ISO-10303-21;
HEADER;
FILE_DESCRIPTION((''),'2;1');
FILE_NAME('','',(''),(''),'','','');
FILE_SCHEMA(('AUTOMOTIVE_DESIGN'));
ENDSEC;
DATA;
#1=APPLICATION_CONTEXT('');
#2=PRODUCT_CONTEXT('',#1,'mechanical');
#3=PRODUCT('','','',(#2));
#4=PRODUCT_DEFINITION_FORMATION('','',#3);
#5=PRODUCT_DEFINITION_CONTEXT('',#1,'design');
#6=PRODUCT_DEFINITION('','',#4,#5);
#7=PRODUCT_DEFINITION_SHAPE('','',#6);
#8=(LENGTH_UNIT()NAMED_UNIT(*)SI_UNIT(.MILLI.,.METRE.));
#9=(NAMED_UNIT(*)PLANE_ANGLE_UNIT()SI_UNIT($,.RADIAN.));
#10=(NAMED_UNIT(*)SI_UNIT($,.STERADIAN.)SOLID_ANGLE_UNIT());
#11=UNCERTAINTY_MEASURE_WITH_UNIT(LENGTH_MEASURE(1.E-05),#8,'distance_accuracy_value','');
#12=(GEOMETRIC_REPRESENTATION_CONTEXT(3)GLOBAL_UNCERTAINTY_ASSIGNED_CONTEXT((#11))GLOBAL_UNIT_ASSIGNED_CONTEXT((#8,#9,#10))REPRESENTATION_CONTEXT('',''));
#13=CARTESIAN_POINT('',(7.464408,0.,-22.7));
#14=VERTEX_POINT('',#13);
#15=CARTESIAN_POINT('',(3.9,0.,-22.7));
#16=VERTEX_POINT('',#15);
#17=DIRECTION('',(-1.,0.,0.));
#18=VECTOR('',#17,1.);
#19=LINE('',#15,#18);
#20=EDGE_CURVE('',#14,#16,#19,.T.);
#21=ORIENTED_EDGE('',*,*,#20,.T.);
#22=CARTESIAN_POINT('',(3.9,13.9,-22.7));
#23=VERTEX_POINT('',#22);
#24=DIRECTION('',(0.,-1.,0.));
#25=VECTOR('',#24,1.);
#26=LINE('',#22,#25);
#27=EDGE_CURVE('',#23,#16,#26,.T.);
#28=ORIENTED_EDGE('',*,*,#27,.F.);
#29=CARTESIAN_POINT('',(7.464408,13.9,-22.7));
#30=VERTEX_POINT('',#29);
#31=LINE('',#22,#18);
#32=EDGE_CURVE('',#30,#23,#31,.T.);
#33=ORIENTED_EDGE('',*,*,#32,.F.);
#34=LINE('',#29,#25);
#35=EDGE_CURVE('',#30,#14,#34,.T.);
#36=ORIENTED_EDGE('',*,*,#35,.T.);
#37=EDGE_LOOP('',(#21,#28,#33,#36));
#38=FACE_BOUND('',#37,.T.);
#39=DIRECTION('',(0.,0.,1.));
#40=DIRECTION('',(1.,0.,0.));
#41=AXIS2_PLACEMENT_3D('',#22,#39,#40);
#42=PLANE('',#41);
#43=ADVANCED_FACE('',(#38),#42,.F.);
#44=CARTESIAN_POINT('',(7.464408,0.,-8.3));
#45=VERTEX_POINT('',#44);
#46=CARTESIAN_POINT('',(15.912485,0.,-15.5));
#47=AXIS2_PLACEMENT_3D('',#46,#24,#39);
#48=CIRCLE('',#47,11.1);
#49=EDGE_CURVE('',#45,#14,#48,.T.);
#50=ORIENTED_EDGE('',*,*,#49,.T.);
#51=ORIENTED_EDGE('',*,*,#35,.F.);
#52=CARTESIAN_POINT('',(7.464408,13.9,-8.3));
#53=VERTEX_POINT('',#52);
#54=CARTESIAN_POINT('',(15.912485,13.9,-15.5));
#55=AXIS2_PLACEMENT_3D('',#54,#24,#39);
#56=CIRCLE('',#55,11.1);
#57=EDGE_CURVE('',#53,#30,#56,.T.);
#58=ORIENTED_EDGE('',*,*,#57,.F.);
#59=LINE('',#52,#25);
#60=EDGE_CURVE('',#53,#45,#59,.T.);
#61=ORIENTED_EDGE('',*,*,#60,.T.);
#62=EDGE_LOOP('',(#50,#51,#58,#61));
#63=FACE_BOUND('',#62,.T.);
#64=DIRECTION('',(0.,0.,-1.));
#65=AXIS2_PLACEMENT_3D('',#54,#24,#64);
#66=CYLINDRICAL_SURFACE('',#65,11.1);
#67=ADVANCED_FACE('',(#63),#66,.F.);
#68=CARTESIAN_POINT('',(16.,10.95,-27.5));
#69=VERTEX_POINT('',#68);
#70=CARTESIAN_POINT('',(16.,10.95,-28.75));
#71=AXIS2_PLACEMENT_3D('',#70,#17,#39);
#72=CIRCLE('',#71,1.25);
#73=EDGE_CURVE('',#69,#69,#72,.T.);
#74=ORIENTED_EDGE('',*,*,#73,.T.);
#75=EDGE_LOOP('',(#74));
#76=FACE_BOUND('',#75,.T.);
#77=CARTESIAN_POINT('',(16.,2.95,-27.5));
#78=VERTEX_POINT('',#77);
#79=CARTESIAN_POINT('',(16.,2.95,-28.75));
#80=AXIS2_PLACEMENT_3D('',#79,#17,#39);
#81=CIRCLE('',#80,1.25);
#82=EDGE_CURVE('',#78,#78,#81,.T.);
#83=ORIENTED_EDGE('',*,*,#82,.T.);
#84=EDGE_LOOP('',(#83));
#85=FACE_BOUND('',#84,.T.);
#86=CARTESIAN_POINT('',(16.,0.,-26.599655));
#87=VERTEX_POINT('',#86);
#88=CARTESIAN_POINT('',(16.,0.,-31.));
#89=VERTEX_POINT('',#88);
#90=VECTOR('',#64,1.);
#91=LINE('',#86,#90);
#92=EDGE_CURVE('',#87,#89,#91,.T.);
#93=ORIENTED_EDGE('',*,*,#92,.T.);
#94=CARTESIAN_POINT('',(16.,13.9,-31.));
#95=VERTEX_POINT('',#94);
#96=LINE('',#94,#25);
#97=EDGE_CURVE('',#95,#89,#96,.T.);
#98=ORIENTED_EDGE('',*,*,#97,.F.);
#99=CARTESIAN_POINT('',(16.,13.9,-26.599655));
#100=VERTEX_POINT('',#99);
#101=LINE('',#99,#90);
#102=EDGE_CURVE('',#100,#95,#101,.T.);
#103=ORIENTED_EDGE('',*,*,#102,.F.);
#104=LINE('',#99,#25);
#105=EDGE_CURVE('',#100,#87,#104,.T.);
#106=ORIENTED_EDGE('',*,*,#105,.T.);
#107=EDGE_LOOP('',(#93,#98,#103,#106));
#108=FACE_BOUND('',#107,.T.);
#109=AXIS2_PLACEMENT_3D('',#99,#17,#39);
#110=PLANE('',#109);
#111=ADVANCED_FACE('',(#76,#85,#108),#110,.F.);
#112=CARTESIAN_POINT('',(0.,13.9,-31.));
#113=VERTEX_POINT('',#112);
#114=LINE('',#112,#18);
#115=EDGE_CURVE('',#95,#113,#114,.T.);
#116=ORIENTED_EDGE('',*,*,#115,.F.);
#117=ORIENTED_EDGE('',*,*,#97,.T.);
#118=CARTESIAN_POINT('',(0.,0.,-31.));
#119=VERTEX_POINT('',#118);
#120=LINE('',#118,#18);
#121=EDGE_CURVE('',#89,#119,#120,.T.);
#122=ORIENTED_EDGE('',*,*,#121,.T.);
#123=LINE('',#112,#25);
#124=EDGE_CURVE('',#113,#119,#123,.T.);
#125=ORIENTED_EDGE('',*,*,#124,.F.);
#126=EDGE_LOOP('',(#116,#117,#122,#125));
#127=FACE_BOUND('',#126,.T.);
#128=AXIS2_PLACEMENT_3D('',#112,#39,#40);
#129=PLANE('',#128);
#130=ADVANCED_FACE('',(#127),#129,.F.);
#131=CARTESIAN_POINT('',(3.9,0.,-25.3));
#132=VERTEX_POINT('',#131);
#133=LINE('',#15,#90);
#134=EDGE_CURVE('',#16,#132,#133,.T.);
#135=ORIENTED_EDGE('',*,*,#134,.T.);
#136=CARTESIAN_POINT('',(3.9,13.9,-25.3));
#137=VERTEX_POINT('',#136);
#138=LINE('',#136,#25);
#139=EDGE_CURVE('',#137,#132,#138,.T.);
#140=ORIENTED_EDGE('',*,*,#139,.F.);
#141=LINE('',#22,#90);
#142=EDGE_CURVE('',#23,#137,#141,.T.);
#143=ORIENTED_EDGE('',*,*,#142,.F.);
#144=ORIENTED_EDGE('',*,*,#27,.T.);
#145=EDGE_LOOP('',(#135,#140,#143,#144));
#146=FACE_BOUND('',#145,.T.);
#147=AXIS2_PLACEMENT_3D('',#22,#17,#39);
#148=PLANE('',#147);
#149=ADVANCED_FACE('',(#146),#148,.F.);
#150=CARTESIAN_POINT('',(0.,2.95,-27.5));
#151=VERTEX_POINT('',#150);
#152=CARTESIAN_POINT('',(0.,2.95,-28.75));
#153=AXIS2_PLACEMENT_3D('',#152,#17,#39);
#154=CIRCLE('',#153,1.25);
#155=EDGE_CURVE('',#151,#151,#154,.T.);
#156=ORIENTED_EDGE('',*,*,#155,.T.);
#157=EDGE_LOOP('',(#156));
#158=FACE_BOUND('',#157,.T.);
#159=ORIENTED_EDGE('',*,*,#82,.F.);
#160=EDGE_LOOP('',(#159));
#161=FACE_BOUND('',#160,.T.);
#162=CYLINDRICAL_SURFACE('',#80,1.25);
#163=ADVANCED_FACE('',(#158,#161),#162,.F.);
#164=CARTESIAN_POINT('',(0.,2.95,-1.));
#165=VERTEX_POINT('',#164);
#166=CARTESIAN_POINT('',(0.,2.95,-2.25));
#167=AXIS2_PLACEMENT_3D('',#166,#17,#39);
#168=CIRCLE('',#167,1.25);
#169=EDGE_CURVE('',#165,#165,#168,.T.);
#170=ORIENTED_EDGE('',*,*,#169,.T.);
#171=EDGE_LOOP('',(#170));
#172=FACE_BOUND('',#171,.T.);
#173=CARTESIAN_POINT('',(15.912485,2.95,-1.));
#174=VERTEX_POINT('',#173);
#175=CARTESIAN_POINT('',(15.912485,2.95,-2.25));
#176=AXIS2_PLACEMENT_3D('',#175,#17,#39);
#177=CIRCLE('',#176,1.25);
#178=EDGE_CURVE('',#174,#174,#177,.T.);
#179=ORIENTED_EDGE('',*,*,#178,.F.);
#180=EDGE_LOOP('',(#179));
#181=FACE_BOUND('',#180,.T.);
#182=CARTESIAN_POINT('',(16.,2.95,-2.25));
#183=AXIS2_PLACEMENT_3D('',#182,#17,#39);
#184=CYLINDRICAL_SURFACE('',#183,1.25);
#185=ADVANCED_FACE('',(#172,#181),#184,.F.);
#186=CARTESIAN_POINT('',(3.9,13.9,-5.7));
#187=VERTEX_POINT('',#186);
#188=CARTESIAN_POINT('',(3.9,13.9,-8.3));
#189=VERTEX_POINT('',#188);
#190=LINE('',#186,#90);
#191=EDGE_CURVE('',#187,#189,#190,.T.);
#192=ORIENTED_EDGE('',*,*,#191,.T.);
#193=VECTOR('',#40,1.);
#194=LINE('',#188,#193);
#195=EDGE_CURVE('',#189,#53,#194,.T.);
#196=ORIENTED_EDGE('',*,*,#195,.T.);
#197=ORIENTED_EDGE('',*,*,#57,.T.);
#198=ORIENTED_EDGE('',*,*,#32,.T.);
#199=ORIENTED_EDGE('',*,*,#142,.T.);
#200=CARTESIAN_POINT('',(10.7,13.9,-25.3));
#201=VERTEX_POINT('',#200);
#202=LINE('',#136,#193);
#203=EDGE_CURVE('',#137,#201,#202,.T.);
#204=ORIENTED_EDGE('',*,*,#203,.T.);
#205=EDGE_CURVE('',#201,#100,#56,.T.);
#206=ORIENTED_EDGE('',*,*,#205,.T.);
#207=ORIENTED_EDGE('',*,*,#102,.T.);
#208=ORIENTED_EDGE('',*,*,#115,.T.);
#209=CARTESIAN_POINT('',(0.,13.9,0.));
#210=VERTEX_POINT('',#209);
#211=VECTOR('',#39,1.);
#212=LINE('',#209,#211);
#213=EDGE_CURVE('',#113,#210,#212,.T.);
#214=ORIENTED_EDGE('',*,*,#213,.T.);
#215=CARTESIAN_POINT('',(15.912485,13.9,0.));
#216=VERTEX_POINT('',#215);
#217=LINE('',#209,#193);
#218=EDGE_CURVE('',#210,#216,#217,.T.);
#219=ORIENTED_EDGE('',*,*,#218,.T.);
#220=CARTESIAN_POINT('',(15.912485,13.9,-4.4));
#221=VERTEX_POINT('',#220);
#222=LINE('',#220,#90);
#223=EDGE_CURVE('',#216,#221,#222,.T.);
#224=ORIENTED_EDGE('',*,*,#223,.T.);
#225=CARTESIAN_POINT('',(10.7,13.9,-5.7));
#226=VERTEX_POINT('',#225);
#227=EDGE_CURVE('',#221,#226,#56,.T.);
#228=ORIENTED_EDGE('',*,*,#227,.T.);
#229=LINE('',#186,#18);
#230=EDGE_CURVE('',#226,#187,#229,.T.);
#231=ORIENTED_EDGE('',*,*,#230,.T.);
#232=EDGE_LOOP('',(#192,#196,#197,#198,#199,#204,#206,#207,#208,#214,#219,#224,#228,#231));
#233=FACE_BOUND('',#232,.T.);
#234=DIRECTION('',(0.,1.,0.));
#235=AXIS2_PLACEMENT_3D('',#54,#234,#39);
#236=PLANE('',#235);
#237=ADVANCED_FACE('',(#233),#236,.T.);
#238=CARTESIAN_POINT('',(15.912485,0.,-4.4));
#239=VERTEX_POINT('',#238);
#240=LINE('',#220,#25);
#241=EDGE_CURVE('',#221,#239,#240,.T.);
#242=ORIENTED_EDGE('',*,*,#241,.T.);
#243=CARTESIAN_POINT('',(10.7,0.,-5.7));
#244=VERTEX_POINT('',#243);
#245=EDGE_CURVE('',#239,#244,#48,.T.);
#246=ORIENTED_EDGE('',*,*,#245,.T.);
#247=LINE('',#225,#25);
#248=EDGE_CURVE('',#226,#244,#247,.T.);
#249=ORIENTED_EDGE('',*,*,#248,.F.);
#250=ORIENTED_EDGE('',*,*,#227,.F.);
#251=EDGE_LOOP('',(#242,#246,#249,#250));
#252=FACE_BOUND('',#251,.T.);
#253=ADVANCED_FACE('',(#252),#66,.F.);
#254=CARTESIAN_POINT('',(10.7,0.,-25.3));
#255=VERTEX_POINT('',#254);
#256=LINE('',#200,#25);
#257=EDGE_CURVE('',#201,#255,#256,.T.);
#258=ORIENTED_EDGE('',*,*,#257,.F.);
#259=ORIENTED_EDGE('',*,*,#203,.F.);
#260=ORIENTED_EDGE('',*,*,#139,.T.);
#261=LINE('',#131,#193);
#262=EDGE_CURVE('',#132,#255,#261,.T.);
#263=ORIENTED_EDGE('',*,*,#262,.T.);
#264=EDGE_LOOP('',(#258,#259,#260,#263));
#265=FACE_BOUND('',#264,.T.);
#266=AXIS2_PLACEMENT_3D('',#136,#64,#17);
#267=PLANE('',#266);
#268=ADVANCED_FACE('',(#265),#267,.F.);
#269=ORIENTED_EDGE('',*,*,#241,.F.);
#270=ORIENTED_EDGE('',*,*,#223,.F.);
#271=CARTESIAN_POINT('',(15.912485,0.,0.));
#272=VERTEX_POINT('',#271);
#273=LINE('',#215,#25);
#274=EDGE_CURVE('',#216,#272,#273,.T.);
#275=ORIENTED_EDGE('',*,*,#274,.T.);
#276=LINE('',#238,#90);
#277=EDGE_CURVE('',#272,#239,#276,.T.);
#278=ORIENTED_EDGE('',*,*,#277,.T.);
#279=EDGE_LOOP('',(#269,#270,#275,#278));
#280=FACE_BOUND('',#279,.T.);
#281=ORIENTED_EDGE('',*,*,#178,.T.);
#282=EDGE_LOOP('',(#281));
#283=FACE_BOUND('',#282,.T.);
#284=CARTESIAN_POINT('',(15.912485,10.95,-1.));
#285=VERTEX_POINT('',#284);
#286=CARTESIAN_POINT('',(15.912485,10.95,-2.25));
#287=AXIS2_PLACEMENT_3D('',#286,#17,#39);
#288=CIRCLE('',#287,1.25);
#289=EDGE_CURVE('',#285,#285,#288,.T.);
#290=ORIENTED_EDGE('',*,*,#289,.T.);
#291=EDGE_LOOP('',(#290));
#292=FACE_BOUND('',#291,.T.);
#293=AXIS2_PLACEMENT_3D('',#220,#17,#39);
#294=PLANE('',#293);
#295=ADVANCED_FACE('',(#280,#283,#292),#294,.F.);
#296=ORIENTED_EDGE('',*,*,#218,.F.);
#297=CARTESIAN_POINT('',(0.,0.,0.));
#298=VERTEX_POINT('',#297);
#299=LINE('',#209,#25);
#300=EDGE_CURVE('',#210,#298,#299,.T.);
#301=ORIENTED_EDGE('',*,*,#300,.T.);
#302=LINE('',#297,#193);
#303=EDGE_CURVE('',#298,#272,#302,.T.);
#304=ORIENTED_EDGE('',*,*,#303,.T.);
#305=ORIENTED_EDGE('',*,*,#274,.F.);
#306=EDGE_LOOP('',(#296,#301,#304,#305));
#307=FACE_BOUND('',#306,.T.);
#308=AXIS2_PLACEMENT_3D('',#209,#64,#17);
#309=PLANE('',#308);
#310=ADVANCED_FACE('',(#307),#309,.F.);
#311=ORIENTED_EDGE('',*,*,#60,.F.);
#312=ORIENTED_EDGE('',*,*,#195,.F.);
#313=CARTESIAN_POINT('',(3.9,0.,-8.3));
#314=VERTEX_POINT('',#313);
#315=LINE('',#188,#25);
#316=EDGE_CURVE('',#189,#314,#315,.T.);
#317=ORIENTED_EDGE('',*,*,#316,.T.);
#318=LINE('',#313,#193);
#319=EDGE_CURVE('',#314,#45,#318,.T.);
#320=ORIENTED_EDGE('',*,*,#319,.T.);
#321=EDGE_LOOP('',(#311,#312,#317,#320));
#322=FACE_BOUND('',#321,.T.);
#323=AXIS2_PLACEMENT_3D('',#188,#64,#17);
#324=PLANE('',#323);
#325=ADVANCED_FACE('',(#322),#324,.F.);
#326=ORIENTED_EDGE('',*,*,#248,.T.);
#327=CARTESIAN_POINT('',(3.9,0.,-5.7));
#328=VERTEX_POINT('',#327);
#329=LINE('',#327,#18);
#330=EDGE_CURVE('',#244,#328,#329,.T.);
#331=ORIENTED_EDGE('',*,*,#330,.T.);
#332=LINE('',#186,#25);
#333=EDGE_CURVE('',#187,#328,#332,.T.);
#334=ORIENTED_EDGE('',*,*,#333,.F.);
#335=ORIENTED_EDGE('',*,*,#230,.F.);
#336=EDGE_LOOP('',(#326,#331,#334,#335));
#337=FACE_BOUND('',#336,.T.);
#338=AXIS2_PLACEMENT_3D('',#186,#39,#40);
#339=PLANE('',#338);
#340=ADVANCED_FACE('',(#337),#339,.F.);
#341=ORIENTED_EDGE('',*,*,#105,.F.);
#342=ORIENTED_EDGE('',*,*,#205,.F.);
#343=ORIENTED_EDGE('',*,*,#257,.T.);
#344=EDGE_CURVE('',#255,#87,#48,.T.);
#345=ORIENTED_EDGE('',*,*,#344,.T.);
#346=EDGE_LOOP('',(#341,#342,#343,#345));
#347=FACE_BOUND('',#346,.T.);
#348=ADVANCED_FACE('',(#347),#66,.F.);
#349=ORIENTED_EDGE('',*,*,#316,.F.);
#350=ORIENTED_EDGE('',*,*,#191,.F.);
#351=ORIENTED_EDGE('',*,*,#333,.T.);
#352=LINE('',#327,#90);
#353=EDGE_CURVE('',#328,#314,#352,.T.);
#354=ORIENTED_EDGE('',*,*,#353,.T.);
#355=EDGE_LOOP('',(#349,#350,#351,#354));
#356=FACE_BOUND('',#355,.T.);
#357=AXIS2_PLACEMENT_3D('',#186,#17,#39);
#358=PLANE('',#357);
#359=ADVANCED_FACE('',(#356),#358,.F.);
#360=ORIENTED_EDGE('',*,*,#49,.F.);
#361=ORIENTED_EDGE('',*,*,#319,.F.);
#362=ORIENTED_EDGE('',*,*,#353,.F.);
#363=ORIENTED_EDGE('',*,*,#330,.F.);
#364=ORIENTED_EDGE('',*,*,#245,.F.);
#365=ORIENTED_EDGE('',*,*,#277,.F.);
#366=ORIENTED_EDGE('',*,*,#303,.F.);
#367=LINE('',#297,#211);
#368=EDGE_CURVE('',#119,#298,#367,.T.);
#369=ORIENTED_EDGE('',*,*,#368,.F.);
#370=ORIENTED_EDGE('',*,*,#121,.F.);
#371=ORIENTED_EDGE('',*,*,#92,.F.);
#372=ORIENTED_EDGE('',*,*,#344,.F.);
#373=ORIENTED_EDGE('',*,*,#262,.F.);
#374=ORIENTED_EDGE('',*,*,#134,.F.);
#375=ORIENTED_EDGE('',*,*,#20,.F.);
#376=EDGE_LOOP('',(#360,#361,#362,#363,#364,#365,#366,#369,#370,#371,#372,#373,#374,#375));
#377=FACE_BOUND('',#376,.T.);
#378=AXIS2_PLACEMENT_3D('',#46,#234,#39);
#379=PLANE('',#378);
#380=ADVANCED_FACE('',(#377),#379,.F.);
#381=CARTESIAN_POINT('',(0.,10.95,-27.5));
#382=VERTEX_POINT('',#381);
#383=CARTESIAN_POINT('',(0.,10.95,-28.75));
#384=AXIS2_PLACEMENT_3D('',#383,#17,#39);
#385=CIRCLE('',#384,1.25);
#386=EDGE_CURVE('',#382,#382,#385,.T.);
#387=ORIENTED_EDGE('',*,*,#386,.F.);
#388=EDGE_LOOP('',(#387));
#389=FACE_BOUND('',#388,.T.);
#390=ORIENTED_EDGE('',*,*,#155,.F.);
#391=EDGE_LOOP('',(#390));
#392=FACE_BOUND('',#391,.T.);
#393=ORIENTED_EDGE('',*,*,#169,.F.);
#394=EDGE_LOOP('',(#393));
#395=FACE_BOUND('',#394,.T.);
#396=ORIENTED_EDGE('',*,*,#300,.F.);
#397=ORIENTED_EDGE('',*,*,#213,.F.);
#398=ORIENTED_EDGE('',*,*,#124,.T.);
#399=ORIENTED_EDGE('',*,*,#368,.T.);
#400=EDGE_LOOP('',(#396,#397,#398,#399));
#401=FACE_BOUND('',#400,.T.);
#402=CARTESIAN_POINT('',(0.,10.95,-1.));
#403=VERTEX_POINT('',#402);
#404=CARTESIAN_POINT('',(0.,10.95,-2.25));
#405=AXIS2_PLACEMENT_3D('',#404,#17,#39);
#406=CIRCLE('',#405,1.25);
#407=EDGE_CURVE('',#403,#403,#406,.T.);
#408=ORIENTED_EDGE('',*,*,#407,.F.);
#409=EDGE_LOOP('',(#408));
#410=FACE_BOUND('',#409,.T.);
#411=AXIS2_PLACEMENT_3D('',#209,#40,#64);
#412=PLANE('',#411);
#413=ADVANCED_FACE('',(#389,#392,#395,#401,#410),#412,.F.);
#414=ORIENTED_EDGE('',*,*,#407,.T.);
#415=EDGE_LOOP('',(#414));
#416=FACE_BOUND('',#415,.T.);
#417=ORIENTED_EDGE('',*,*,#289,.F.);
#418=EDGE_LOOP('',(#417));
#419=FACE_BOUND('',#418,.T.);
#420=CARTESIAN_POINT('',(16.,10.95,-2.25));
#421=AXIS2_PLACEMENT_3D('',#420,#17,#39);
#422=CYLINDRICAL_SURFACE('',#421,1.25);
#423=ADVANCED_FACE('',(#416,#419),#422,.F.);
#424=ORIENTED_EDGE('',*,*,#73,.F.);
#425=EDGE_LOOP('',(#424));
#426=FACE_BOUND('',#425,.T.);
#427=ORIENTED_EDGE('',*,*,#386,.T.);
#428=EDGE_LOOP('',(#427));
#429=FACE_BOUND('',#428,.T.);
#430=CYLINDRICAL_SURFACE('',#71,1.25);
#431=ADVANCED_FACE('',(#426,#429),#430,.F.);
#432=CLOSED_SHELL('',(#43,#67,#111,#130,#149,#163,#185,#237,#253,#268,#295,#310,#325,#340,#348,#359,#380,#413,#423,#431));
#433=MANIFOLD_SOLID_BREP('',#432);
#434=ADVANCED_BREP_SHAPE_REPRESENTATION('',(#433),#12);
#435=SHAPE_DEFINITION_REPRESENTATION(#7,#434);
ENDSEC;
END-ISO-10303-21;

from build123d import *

# Parameters (mm, degrees)
EXTRUDE_1_DEPTH     = 13.9
SKETCH_2_R          = 1.25
CUT_EXTRUDE_1_DEPTH = 38.552762881


with BuildPart() as part:
    # 草图1 → 凸台-拉伸1 (new body)
    with BuildSketch(Plane(origin=(0, 0, 0), x_dir=(1, 0, 0), z_dir=(0, 1, 0))):
        with BuildLine():
            Line((0, 0), (15.912485012, 0))
            Line((15.912485012, 0), (15.912485012, 4.4))
            ThreePointArc((15.912485012, 4.4), (13.226409808, 4.729902507), (10.7, 5.7))
            Line((10.7, 5.7), (3.9, 5.7))
            Line((3.9, 5.7), (3.9, 8.3))
            Line((3.9, 8.3), (7.464408308, 8.3))
            ThreePointArc((7.464408308, 8.3), (4.812485012, 15.5), (7.464408308, 22.7))
            Line((7.464408308, 22.7), (3.9, 22.7))
            Line((3.9, 22.7), (3.9, 25.3))
            Line((3.9, 25.3), (10.7, 25.3))
            ThreePointArc((10.7, 25.3), (13.26888799, 26.28060271), (16, 26.599655))
            Line((16, 26.599655), (16, 31))
            Line((16, 31), (0, 31))
            Line((0, 31), (0, 0))
        make_face()
    extrude(amount=EXTRUDE_1_DEPTH)

    # 草图2 → 切除-拉伸1 (cut, through all)
    with BuildSketch(Plane.ZY):
        with Locations((-28.75, 10.95)):
            Circle(SKETCH_2_R)
        with Locations((-2.25, 10.95)):
            Circle(SKETCH_2_R)
        with Locations((-2.25, 2.95)):
            Circle(SKETCH_2_R)
        with Locations((-28.75, 2.95)):
            Circle(SKETCH_2_R)
    extrude(amount=-CUT_EXTRUDE_1_DEPTH, mode=Mode.SUBTRACT)


solid = part.part
